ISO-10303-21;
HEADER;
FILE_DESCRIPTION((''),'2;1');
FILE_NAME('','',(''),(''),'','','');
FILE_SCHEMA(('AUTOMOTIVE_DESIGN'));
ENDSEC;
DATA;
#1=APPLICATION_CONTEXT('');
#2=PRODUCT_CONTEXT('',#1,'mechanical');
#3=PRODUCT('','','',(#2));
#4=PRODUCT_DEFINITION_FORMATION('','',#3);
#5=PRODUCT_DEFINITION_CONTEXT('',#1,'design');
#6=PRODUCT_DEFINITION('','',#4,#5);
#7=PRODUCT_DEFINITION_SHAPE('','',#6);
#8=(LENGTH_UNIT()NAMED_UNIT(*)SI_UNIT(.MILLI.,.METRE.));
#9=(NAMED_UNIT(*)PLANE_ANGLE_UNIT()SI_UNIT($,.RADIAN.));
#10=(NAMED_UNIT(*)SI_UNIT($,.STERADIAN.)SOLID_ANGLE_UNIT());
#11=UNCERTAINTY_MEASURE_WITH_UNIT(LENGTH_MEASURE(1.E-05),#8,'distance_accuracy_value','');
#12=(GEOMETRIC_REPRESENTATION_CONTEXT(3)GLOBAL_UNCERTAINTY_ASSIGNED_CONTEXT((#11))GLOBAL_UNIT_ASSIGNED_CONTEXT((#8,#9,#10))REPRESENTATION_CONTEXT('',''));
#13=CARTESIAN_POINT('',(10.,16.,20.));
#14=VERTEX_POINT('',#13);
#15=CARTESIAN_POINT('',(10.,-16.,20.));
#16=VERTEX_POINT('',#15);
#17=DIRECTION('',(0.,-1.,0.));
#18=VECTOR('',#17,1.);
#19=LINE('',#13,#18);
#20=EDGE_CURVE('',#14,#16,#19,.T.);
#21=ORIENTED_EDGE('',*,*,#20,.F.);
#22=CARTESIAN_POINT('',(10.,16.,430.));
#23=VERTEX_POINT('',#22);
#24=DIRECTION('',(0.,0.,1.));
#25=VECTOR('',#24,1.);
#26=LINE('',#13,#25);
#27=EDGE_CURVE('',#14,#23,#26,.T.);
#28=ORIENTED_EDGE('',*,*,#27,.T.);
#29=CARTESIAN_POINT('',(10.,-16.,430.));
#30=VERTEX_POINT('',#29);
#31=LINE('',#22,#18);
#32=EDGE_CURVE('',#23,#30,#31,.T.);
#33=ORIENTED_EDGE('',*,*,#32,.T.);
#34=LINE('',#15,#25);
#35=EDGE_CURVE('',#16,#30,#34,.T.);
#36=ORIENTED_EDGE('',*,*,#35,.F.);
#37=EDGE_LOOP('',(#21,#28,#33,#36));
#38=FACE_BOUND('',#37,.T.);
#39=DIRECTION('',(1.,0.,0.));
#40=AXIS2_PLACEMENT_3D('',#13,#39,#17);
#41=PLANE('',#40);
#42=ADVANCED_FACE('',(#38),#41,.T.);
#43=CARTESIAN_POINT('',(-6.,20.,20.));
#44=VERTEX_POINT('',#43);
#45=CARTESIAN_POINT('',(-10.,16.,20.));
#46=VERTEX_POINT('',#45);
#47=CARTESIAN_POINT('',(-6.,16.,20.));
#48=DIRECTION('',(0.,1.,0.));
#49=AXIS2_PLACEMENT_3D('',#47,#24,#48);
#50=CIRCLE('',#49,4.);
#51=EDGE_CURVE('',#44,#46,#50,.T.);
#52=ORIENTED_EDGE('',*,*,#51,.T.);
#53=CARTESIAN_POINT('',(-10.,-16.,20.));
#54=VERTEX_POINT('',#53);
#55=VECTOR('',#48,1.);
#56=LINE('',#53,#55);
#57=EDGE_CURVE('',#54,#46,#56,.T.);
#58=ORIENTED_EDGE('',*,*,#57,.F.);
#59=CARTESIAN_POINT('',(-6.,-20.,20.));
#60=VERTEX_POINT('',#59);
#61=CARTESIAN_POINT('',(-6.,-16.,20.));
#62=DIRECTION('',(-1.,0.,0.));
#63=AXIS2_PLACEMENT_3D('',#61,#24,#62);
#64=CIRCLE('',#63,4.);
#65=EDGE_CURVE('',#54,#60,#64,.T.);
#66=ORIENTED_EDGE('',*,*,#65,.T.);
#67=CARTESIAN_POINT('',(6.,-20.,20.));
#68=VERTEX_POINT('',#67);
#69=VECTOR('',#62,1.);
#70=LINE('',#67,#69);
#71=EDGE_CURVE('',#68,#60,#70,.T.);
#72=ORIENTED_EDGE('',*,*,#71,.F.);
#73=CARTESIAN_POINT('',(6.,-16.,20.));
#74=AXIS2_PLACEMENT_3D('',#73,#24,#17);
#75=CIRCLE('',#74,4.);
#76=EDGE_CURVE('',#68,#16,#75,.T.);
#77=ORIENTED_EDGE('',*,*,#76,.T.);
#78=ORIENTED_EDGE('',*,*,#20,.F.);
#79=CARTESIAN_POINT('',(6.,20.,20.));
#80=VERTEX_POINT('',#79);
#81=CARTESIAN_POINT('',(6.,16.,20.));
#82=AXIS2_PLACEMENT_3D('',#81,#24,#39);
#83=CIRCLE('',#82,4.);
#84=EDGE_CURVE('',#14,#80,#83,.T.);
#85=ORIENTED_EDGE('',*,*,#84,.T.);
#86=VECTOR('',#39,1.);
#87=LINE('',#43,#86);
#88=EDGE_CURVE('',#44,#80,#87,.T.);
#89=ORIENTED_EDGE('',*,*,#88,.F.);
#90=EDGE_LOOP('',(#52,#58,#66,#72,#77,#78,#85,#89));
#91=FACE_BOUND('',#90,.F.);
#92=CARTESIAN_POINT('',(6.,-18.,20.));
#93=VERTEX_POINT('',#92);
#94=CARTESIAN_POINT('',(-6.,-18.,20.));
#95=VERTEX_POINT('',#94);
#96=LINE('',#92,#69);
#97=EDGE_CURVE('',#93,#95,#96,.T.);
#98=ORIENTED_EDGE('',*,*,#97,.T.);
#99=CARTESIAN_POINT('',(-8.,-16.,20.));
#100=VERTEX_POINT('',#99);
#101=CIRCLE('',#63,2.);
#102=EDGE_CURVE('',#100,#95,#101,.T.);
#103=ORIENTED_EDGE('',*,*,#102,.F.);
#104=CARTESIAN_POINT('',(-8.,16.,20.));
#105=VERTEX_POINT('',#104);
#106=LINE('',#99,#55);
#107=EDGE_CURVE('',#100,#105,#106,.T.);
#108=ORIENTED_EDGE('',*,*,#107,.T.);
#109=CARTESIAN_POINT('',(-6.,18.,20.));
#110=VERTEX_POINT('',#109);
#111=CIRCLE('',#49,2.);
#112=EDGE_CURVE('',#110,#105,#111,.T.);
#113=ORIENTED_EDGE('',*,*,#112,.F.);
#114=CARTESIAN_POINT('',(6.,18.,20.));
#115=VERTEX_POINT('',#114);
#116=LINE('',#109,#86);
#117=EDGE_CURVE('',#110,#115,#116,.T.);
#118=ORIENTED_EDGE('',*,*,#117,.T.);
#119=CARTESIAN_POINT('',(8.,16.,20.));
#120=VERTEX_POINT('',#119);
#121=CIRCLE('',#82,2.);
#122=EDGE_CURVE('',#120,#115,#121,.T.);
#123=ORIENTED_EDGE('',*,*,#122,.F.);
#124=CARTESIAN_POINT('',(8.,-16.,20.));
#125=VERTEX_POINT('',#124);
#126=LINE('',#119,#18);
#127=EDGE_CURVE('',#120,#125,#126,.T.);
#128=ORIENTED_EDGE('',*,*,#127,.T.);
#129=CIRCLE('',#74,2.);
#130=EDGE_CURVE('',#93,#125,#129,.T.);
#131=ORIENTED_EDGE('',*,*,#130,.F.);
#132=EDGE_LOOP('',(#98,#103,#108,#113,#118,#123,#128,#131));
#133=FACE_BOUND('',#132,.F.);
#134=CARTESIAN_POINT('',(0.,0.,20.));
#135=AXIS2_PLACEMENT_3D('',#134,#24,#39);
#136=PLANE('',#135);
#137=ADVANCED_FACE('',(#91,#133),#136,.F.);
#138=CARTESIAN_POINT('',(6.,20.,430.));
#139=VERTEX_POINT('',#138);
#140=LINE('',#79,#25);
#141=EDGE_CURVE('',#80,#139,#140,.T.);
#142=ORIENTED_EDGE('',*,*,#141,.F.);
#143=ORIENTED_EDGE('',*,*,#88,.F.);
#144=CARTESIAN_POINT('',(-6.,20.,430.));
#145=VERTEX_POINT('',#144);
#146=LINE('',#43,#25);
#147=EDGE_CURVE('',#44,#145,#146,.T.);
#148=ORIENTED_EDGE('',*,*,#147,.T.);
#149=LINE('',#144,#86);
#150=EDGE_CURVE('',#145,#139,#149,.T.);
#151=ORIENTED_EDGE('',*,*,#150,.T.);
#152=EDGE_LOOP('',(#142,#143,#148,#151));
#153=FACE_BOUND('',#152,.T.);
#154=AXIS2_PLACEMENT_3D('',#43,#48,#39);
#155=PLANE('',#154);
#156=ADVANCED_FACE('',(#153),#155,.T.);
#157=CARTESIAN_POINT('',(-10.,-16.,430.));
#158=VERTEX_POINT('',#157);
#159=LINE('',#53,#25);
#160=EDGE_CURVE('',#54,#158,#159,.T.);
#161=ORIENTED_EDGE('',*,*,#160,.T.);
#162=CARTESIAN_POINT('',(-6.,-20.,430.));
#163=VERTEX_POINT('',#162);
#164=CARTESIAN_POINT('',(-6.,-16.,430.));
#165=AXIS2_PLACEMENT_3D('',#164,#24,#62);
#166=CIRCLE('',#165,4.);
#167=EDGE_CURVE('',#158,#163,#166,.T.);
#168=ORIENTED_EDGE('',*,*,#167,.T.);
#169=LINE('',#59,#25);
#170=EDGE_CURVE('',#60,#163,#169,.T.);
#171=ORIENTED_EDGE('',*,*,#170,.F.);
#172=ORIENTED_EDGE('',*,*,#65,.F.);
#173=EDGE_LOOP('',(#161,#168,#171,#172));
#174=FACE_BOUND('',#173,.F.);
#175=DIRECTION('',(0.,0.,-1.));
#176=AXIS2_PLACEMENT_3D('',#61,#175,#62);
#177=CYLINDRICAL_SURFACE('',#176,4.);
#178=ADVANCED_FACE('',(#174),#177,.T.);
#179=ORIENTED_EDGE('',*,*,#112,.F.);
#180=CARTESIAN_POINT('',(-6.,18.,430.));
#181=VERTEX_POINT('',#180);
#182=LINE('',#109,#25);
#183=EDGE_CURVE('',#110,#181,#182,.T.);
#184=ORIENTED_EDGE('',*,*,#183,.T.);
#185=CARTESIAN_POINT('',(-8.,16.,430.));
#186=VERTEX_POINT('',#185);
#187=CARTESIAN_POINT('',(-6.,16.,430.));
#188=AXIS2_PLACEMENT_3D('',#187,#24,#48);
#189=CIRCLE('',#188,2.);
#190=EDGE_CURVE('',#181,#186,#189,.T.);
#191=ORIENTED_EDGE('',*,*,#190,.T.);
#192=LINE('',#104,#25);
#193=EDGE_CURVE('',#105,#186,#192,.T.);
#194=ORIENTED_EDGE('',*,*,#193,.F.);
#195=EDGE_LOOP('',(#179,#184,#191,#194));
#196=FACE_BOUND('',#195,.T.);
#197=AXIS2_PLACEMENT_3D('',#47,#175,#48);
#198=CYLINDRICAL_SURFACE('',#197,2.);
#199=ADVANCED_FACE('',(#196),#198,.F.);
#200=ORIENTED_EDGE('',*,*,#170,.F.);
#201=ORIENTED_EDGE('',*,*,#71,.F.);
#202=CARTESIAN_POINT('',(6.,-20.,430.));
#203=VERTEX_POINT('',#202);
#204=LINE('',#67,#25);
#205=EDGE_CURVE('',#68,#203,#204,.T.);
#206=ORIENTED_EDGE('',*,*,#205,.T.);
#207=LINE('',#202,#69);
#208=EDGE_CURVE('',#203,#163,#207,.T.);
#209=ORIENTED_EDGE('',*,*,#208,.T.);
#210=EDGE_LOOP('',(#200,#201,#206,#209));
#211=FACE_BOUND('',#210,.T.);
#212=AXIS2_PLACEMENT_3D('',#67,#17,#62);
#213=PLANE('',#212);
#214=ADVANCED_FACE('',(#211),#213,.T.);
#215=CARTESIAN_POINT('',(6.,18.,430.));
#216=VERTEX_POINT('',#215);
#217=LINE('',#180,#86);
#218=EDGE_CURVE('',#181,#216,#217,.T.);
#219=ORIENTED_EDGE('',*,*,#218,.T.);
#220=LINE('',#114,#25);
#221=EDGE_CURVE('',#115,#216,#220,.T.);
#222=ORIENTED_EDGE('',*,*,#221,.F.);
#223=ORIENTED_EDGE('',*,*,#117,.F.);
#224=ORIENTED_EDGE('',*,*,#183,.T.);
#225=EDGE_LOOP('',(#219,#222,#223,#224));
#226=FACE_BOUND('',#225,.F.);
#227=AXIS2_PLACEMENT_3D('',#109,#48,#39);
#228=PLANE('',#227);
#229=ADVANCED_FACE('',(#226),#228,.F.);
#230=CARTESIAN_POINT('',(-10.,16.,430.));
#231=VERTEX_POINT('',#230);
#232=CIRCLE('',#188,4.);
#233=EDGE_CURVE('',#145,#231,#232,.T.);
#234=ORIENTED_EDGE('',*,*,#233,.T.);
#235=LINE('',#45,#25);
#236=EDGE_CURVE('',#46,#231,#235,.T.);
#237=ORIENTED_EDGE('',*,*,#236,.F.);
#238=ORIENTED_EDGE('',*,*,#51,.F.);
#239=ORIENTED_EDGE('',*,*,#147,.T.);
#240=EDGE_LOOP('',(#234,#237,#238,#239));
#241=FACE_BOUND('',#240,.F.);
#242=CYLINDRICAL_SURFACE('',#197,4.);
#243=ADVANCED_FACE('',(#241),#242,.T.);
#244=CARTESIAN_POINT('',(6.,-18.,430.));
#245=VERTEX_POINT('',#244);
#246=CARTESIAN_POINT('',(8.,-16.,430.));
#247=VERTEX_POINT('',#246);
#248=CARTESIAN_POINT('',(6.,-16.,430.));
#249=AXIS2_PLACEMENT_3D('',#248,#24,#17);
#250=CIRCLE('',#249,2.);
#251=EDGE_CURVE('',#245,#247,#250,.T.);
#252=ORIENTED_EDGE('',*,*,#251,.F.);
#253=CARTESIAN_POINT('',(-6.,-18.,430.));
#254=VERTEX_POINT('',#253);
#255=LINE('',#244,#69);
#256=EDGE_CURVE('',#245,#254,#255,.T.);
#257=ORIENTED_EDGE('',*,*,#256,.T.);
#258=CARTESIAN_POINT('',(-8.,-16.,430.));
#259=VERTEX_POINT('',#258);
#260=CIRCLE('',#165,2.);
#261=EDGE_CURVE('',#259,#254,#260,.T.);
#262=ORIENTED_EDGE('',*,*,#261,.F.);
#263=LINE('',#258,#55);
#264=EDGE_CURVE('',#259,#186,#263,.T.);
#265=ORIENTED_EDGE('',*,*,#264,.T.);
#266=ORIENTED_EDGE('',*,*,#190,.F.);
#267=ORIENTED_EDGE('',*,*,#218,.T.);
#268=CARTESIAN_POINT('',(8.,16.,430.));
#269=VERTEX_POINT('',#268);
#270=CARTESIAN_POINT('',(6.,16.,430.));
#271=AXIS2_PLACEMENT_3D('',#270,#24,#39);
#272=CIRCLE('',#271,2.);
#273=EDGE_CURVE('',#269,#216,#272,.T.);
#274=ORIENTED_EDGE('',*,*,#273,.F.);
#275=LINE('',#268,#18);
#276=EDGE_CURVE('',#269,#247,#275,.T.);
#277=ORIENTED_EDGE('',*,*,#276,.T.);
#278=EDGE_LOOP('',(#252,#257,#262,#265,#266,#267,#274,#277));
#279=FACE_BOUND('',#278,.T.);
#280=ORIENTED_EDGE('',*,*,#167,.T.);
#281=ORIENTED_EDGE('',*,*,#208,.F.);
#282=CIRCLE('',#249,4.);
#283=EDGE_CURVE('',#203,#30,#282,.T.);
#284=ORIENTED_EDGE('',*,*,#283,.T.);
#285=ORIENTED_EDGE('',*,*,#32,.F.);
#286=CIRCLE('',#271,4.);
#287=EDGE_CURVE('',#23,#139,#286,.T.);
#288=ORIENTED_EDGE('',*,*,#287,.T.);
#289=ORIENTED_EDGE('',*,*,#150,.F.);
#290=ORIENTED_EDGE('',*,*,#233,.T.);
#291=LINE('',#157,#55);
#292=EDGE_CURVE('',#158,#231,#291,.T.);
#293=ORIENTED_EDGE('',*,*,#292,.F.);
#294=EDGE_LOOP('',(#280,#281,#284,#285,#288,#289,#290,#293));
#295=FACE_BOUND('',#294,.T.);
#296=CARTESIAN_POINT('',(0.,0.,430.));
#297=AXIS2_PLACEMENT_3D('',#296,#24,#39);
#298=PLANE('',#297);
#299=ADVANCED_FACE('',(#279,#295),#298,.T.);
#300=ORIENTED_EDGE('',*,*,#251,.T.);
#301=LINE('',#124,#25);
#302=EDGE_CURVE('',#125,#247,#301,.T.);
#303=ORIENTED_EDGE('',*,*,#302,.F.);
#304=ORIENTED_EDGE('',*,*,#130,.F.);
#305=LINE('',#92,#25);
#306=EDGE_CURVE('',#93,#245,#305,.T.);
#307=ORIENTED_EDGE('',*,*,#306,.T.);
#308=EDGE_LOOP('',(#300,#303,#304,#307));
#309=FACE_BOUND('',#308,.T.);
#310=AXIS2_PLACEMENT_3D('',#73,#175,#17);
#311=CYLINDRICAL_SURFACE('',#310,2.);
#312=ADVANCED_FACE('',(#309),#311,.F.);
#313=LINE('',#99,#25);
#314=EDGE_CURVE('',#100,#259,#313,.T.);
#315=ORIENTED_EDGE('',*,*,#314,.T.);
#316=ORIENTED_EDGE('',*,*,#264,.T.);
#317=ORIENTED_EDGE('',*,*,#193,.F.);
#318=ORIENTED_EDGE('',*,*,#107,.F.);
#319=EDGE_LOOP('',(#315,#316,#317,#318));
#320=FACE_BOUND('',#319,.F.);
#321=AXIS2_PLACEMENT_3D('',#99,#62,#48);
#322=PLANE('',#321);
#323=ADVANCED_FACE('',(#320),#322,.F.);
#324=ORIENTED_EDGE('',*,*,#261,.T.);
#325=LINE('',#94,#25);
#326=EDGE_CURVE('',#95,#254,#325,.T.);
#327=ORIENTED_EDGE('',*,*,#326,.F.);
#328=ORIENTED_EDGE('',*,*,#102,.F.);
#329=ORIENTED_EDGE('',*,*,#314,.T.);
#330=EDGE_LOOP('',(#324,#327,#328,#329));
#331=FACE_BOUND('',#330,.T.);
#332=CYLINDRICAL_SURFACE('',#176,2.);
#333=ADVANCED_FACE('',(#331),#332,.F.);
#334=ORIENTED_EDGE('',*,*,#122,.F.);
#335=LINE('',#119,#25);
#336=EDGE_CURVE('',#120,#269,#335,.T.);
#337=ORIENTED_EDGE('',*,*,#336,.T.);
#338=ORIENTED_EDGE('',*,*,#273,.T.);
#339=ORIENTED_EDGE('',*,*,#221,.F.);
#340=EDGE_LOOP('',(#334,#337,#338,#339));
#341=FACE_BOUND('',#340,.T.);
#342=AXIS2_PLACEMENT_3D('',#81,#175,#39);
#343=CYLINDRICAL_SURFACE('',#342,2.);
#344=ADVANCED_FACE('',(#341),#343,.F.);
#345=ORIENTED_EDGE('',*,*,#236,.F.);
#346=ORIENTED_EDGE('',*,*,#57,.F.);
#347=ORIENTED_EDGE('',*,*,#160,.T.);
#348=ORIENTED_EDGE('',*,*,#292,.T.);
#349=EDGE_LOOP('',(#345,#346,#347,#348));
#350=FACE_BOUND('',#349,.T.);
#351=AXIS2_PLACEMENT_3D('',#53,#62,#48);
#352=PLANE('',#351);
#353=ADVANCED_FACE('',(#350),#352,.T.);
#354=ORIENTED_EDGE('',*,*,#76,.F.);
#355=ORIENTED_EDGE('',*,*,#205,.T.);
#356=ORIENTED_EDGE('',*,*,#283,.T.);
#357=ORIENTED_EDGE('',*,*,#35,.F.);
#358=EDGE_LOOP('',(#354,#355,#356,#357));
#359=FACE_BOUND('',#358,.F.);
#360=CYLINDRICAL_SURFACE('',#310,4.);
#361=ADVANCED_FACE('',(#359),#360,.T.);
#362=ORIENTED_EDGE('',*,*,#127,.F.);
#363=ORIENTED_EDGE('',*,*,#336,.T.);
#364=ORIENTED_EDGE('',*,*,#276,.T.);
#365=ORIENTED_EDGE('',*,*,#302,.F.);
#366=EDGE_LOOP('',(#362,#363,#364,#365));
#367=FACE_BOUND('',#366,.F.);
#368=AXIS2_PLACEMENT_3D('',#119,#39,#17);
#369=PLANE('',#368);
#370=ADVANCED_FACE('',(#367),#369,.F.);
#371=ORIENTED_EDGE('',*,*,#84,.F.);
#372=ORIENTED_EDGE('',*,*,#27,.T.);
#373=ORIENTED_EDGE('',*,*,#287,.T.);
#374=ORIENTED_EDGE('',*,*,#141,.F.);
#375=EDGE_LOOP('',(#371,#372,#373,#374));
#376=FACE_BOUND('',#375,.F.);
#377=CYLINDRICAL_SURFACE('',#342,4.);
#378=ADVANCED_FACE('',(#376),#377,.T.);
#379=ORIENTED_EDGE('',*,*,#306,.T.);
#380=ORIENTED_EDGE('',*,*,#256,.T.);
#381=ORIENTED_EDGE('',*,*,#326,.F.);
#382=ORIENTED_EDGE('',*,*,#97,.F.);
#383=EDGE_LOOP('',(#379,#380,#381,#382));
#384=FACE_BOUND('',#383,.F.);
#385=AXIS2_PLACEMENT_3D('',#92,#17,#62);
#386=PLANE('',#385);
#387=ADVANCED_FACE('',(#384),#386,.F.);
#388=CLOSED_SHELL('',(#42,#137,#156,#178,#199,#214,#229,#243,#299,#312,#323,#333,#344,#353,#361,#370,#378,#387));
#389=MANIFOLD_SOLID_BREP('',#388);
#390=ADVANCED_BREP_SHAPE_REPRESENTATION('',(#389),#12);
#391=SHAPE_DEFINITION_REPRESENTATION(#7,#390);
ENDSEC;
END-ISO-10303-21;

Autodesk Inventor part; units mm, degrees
ref_plane "YZ Plane" through (0, 0, 0) normal (1, 0, 0) x (0, 1, 0)
ref_plane "Start Plane" through (0, 0, 20) normal (0, 0, 1) x (1, 0, 0)
ref_plane "End Plane" through (0, 0, 430) normal (0, 0, 1) x (1, 0, 0)
sketch "Sketch" plane through (0, 0, 0) normal (0, 0, 1) x (1, 0, 0)
  line L0 (-10, -16) -> (-10, 16)
  line L1 (-6, 20) -> (6, 20)
  line L2 (10, 16) -> (10, -16)
  line L3 (6, -20) -> (-6, -20)
  arc A0 (-10, -16) -> (-6, -20) centre (-6, -16) ccw
  arc A1 (10, 16) -> (6, 20) centre (6, 16) ccw
  arc A2 (-6, 20) -> (-10, 16) centre (-6, 16) ccw
  arc A3 (6, -20) -> (10, -16) centre (6, -16) ccw
  arc A4 (-6, 18) -> (-8, 16) centre (-6, 16) ccw
  line L4 (-6, 18) -> (6, 18)
  arc A5 (8, 16) -> (6, 18) centre (6, 16) ccw
  line L5 (8, 16) -> (8, -16)
  arc A6 (6, -18) -> (8, -16) centre (6, -16) ccw
  line L6 (6, -18) -> (-6, -18)
  arc A7 (-8, -16) -> (-6, -18) centre (-6, -16) ccw
  line L7 (-8, -16) -> (-8, 16)
  line L8 (0, 29.1598) -> (0, -29.1598) construction
  line L9 (-15.1598, 0) -> (15.1598, 0) construction
  dimension "d7" = 4
  dimension "d9" = 20
  dimension "d11" = 40
  dimension "d12" = 2
  dimension "d15" = 10
  dimension "d16" = 20
extrude "Body" add sketch "Sketch" along normal up to surface (410 mm away) from surface at 20
sketch "Sketch3" plane through (0, 0, 0) normal (0, 0, 1) x (1, 0, 0)
  line L0 (0, 0) -> (10, 0)
ref_plane "Work Plane3" through (0, 0, 0) normal (0, -1, 0) x (1, 0, 0)
sketch "Sketch4" plane through (0, 0, 0) normal (0, -1, 0) x (1, 0, 0)
  line L0 (-2, 20) -> (12, 20)
  line L1 (-2, 430) -> (12, 430)
  dimension "d18" = 410
equation "\"d7\" = G_IR"
equation "\"d9\" = G_W"
equation "\"d11\" = G_H"
equation "\"d12\" = G_T"
equation "\"d15\" = 0.5 * d9"
equation "\"d16\" = 0.5 * d11"
equation "\"d3\" = G_L"
equation "\"G_W\" = 20"
equation "\"G_H\" = 40"
equation "\"G_T\" = 2"
equation "\"G_IR\" = 4"
equation "\"G_L\" = d18"
properties part number "ISO 10799-2 - 40x20x2 - 410" material "Steel, Mild"
